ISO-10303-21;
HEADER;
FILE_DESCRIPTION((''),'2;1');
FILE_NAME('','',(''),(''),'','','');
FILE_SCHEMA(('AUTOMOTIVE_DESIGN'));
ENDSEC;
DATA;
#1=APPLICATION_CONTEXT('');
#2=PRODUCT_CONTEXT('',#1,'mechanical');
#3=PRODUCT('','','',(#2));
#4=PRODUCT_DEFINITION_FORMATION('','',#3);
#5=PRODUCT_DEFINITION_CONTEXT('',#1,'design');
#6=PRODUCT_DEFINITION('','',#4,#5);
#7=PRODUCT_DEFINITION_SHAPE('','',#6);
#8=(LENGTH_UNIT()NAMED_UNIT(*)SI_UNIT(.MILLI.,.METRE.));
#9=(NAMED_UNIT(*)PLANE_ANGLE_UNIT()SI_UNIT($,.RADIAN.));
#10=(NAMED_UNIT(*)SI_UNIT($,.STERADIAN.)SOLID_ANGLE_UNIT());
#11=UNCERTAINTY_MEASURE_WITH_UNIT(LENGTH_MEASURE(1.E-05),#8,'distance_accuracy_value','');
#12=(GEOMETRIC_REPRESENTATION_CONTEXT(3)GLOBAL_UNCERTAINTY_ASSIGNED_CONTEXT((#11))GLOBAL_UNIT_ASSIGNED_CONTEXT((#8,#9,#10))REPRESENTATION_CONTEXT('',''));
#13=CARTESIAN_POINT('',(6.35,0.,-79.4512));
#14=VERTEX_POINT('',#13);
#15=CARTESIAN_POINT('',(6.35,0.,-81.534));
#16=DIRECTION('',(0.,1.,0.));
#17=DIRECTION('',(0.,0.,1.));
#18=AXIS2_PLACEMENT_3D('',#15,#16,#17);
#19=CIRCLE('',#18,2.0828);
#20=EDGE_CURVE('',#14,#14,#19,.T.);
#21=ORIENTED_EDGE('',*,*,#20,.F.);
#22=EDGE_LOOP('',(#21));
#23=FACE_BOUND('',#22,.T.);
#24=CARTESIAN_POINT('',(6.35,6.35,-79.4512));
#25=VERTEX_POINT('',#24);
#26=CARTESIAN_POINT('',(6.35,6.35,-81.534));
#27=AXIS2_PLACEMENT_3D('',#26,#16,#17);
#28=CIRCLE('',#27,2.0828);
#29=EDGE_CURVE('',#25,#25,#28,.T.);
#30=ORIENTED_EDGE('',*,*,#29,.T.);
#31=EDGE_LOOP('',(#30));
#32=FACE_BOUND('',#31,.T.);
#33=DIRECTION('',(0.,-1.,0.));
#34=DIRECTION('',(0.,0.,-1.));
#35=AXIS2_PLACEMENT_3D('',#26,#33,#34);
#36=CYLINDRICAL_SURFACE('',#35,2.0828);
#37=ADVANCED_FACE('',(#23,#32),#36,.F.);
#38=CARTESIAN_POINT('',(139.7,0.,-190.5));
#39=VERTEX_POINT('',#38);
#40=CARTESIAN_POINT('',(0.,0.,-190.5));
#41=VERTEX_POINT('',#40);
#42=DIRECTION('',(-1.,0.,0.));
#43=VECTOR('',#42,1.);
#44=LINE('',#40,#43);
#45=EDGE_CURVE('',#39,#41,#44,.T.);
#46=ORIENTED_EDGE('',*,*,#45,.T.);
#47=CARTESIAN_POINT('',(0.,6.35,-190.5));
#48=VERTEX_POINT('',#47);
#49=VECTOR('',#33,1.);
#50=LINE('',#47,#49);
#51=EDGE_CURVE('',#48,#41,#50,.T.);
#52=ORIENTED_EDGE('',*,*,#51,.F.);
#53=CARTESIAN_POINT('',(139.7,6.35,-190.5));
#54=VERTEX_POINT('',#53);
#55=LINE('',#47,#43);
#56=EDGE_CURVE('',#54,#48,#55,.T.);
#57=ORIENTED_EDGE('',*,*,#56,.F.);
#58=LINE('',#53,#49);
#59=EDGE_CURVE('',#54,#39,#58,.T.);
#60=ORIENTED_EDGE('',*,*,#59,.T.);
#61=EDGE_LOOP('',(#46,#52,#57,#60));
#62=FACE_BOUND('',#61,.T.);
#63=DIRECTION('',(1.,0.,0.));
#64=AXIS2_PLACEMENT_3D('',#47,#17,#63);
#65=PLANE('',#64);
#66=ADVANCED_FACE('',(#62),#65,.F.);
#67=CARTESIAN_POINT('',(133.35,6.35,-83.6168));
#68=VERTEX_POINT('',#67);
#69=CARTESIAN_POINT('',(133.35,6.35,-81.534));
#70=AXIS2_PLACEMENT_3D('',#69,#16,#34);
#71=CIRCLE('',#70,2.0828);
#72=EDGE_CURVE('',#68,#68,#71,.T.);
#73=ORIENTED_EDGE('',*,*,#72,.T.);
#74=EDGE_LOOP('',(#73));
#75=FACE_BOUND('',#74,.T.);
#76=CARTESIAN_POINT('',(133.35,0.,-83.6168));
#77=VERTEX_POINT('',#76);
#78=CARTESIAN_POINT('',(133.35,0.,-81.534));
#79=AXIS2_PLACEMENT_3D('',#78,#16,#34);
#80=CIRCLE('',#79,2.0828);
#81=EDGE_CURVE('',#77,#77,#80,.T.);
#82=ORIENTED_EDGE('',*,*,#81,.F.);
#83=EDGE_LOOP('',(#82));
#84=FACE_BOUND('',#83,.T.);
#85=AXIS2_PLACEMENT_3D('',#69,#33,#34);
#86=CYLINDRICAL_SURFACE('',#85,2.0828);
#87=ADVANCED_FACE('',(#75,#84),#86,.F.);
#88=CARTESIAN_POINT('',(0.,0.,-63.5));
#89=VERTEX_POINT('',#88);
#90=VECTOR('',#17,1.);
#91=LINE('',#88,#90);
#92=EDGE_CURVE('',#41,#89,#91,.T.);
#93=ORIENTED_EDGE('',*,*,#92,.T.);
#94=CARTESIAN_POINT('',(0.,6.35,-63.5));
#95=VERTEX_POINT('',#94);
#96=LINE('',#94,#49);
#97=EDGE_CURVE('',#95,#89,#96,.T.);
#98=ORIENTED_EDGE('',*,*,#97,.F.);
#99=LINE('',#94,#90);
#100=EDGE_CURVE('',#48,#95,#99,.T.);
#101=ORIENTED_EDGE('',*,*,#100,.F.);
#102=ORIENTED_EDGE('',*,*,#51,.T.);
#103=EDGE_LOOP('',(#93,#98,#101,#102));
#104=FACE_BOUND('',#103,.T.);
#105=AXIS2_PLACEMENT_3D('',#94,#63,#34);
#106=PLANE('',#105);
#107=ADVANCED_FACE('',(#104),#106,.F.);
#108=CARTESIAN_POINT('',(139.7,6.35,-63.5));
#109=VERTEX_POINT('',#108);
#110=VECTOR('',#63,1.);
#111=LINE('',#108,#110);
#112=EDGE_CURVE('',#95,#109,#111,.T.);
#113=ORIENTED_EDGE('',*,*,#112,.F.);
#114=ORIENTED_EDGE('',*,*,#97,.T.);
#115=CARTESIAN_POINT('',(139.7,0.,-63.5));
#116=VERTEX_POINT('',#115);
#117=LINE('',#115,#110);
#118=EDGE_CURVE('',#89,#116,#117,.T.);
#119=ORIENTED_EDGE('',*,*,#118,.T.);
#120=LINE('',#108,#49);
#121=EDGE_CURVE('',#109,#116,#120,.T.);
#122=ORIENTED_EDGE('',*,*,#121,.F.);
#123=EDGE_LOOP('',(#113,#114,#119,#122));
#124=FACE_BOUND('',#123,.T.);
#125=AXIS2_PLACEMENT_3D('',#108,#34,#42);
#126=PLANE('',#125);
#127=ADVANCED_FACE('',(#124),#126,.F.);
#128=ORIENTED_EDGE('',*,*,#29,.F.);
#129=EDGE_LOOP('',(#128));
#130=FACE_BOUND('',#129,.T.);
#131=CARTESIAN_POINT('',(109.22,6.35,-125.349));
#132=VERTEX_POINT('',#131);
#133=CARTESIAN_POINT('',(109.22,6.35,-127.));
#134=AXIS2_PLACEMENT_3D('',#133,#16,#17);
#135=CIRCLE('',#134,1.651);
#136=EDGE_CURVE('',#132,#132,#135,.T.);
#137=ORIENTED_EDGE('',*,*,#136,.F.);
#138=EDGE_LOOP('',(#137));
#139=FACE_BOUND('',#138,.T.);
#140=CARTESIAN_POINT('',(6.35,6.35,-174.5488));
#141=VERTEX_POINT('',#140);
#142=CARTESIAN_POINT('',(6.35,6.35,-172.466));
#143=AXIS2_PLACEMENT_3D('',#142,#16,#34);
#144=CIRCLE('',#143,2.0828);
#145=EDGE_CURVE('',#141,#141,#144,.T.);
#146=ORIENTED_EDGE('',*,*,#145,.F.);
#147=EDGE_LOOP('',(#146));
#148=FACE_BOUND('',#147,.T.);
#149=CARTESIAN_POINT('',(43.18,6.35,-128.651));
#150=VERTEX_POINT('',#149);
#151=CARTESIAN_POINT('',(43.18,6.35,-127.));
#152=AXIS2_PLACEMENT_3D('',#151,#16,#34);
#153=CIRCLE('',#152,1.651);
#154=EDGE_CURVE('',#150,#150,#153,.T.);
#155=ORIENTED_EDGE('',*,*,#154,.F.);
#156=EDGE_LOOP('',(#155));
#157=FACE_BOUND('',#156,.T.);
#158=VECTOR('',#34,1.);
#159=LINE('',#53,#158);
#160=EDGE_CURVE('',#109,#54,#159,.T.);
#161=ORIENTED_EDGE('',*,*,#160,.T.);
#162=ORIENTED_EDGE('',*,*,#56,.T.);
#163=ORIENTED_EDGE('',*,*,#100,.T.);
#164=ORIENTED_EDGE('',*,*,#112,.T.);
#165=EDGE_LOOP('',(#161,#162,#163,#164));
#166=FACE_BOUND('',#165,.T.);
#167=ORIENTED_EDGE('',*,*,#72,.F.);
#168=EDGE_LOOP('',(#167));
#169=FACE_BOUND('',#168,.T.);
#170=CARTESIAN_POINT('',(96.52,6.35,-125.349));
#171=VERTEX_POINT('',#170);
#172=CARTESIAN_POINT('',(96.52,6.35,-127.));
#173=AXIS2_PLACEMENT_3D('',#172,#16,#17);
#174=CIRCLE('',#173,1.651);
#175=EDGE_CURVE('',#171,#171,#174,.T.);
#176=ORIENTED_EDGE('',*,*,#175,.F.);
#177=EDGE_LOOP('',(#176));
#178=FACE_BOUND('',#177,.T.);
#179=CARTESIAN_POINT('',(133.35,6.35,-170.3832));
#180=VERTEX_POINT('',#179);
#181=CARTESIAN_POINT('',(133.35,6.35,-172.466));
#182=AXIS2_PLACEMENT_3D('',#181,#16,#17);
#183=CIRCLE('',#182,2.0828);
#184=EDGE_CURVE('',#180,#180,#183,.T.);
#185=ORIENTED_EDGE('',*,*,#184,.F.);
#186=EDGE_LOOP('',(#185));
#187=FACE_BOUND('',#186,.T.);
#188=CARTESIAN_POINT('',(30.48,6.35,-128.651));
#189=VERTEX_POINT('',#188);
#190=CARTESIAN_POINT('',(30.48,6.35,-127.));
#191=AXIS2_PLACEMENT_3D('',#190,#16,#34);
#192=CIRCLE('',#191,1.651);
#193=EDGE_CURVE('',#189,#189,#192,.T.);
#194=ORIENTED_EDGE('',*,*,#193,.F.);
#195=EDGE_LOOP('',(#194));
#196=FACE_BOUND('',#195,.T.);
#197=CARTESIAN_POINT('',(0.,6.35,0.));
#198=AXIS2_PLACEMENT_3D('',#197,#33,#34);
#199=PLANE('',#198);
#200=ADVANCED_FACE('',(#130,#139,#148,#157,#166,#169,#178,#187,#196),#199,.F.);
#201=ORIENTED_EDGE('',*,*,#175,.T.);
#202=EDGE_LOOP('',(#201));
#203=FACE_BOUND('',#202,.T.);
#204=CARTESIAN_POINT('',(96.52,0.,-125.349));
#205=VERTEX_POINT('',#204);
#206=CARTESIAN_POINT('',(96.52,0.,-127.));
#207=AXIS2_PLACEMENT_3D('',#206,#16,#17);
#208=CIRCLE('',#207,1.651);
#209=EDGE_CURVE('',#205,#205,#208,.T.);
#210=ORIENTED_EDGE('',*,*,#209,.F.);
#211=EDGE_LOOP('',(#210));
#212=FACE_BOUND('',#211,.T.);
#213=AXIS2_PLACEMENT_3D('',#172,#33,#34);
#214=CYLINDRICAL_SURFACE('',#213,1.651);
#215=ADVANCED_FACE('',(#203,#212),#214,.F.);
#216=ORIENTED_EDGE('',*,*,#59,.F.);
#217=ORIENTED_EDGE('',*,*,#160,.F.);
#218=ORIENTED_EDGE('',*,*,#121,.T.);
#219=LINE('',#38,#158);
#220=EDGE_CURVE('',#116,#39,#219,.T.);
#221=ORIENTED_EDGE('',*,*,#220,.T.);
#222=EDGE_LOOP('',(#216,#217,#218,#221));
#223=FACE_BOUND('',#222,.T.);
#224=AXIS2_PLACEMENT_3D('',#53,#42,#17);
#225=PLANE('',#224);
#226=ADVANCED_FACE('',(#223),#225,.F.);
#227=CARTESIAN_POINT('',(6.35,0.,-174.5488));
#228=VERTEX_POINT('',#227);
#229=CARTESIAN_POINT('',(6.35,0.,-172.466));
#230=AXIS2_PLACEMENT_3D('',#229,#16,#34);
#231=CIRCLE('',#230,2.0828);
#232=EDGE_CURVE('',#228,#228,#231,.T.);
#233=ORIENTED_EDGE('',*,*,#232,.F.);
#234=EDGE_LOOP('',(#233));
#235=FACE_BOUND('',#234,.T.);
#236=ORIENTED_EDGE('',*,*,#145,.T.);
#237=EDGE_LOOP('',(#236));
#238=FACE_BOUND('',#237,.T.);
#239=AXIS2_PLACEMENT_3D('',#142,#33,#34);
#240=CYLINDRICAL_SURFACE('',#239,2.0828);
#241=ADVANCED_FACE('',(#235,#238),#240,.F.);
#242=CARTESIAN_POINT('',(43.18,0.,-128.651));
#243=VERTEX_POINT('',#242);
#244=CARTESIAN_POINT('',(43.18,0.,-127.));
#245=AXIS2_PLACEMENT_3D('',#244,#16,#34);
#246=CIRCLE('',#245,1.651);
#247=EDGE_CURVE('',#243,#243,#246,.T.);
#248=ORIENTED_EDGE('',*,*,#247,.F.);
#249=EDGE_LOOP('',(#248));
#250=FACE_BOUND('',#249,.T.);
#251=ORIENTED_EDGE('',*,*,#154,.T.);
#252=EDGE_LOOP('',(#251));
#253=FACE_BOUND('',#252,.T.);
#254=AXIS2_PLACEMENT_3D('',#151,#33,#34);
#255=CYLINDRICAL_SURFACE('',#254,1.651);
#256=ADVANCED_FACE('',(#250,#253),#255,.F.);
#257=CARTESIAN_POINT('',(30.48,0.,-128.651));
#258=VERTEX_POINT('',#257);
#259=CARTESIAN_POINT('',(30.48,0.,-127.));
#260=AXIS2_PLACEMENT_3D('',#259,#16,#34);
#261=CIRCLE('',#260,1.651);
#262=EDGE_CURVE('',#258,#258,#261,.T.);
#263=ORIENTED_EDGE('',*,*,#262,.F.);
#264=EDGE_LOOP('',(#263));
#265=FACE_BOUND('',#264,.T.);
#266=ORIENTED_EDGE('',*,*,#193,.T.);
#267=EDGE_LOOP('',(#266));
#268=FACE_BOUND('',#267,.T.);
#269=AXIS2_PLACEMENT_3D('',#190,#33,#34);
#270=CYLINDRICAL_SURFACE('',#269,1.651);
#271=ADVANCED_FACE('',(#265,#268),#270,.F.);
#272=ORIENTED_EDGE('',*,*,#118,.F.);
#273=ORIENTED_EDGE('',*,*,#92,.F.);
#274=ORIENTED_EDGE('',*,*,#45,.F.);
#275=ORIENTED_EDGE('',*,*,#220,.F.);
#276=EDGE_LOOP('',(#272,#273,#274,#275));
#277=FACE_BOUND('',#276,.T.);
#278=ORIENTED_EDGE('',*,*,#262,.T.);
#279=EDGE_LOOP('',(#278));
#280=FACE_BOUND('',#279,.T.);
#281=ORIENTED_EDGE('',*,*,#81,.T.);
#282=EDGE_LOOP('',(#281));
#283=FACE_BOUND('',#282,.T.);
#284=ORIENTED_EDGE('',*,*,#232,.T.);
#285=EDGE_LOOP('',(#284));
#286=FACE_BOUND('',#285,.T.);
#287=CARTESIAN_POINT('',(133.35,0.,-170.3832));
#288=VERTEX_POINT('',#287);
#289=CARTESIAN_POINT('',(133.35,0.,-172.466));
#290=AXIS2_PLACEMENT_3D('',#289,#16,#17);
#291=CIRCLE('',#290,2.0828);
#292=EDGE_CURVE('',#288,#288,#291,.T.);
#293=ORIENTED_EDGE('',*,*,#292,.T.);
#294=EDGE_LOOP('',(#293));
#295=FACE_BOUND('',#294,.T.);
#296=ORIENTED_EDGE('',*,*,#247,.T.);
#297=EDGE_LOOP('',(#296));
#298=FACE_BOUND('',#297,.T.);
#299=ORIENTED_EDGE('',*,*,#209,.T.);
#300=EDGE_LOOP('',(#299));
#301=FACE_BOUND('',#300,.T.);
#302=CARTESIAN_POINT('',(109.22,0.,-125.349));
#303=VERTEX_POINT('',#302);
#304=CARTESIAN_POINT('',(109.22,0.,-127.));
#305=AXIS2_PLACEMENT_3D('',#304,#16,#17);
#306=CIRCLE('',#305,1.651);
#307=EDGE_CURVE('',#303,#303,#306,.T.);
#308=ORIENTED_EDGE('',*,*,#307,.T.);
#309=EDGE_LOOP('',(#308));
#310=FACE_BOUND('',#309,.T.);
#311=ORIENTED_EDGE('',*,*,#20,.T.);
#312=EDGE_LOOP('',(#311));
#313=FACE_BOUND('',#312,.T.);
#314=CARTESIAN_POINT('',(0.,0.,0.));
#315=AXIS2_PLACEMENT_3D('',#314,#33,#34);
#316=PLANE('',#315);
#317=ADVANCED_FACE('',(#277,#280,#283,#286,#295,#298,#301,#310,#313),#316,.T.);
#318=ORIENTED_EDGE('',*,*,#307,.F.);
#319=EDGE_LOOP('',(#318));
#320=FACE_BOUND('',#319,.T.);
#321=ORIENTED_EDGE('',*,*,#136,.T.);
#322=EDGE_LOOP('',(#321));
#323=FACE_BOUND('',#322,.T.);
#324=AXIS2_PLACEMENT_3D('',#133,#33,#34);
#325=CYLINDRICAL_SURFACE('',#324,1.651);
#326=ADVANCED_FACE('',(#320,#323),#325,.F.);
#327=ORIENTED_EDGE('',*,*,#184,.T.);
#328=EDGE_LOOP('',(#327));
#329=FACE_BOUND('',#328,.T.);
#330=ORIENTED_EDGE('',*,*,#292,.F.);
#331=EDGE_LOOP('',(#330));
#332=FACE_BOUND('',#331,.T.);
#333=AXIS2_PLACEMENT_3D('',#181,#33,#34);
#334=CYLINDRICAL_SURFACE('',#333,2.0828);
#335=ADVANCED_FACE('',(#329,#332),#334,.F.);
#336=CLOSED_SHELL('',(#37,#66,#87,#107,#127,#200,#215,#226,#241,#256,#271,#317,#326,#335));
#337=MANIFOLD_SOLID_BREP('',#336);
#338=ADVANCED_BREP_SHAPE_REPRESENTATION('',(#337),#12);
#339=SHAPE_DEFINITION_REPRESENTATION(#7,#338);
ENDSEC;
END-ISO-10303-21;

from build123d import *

# Parameters (mm, degrees)
SKETCH1_W           = 139.7
SKETCH1_H           = 127
SKETCH1_R           = 2.0828
SKETCH1_R_2         = 1.651
BOSS_EXTRUDE1_DEPTH = 6.35


with BuildPart() as part:
    # Sketch1 → Boss-Extrude1 (new body)
    with BuildSketch(Plane(origin=(0, 0, 0), x_dir=(1, 0, 0), z_dir=(0, 1, 0))):
        with Locations((69.85, 127)):
            Rectangle(SKETCH1_W, SKETCH1_H)
        with Locations(Location((133.35, 172.466, 0), (0, 0, 270))):
            Circle(SKETCH1_R, mode=Mode.SUBTRACT)
        with Locations(Location((133.35, 81.534, 0), (0, 0, 90))):
            Circle(SKETCH1_R, mode=Mode.SUBTRACT)
        with Locations(Location((6.35, 172.466, 0), (0, 0, 90))):
            Circle(SKETCH1_R, mode=Mode.SUBTRACT)
        with Locations(Location((6.35, 81.534, 0), (0, 0, 270))):
            Circle(SKETCH1_R, mode=Mode.SUBTRACT)
        with Locations(Location((43.18, 127, 0), (0, 0, 90))):
            Circle(SKETCH1_R_2, mode=Mode.SUBTRACT)
        with Locations(Location((109.22, 127, 0), (0, 0, 270))):
            Circle(SKETCH1_R_2, mode=Mode.SUBTRACT)
        with Locations(Location((96.52, 127, 0), (0, 0, 270))):
            Circle(SKETCH1_R_2, mode=Mode.SUBTRACT)
        with Locations(Location((30.48, 127, 0), (0, 0, 90))):
            Circle(SKETCH1_R_2, mode=Mode.SUBTRACT)
    extrude(amount=BOSS_EXTRUDE1_DEPTH)


solid = part.part
